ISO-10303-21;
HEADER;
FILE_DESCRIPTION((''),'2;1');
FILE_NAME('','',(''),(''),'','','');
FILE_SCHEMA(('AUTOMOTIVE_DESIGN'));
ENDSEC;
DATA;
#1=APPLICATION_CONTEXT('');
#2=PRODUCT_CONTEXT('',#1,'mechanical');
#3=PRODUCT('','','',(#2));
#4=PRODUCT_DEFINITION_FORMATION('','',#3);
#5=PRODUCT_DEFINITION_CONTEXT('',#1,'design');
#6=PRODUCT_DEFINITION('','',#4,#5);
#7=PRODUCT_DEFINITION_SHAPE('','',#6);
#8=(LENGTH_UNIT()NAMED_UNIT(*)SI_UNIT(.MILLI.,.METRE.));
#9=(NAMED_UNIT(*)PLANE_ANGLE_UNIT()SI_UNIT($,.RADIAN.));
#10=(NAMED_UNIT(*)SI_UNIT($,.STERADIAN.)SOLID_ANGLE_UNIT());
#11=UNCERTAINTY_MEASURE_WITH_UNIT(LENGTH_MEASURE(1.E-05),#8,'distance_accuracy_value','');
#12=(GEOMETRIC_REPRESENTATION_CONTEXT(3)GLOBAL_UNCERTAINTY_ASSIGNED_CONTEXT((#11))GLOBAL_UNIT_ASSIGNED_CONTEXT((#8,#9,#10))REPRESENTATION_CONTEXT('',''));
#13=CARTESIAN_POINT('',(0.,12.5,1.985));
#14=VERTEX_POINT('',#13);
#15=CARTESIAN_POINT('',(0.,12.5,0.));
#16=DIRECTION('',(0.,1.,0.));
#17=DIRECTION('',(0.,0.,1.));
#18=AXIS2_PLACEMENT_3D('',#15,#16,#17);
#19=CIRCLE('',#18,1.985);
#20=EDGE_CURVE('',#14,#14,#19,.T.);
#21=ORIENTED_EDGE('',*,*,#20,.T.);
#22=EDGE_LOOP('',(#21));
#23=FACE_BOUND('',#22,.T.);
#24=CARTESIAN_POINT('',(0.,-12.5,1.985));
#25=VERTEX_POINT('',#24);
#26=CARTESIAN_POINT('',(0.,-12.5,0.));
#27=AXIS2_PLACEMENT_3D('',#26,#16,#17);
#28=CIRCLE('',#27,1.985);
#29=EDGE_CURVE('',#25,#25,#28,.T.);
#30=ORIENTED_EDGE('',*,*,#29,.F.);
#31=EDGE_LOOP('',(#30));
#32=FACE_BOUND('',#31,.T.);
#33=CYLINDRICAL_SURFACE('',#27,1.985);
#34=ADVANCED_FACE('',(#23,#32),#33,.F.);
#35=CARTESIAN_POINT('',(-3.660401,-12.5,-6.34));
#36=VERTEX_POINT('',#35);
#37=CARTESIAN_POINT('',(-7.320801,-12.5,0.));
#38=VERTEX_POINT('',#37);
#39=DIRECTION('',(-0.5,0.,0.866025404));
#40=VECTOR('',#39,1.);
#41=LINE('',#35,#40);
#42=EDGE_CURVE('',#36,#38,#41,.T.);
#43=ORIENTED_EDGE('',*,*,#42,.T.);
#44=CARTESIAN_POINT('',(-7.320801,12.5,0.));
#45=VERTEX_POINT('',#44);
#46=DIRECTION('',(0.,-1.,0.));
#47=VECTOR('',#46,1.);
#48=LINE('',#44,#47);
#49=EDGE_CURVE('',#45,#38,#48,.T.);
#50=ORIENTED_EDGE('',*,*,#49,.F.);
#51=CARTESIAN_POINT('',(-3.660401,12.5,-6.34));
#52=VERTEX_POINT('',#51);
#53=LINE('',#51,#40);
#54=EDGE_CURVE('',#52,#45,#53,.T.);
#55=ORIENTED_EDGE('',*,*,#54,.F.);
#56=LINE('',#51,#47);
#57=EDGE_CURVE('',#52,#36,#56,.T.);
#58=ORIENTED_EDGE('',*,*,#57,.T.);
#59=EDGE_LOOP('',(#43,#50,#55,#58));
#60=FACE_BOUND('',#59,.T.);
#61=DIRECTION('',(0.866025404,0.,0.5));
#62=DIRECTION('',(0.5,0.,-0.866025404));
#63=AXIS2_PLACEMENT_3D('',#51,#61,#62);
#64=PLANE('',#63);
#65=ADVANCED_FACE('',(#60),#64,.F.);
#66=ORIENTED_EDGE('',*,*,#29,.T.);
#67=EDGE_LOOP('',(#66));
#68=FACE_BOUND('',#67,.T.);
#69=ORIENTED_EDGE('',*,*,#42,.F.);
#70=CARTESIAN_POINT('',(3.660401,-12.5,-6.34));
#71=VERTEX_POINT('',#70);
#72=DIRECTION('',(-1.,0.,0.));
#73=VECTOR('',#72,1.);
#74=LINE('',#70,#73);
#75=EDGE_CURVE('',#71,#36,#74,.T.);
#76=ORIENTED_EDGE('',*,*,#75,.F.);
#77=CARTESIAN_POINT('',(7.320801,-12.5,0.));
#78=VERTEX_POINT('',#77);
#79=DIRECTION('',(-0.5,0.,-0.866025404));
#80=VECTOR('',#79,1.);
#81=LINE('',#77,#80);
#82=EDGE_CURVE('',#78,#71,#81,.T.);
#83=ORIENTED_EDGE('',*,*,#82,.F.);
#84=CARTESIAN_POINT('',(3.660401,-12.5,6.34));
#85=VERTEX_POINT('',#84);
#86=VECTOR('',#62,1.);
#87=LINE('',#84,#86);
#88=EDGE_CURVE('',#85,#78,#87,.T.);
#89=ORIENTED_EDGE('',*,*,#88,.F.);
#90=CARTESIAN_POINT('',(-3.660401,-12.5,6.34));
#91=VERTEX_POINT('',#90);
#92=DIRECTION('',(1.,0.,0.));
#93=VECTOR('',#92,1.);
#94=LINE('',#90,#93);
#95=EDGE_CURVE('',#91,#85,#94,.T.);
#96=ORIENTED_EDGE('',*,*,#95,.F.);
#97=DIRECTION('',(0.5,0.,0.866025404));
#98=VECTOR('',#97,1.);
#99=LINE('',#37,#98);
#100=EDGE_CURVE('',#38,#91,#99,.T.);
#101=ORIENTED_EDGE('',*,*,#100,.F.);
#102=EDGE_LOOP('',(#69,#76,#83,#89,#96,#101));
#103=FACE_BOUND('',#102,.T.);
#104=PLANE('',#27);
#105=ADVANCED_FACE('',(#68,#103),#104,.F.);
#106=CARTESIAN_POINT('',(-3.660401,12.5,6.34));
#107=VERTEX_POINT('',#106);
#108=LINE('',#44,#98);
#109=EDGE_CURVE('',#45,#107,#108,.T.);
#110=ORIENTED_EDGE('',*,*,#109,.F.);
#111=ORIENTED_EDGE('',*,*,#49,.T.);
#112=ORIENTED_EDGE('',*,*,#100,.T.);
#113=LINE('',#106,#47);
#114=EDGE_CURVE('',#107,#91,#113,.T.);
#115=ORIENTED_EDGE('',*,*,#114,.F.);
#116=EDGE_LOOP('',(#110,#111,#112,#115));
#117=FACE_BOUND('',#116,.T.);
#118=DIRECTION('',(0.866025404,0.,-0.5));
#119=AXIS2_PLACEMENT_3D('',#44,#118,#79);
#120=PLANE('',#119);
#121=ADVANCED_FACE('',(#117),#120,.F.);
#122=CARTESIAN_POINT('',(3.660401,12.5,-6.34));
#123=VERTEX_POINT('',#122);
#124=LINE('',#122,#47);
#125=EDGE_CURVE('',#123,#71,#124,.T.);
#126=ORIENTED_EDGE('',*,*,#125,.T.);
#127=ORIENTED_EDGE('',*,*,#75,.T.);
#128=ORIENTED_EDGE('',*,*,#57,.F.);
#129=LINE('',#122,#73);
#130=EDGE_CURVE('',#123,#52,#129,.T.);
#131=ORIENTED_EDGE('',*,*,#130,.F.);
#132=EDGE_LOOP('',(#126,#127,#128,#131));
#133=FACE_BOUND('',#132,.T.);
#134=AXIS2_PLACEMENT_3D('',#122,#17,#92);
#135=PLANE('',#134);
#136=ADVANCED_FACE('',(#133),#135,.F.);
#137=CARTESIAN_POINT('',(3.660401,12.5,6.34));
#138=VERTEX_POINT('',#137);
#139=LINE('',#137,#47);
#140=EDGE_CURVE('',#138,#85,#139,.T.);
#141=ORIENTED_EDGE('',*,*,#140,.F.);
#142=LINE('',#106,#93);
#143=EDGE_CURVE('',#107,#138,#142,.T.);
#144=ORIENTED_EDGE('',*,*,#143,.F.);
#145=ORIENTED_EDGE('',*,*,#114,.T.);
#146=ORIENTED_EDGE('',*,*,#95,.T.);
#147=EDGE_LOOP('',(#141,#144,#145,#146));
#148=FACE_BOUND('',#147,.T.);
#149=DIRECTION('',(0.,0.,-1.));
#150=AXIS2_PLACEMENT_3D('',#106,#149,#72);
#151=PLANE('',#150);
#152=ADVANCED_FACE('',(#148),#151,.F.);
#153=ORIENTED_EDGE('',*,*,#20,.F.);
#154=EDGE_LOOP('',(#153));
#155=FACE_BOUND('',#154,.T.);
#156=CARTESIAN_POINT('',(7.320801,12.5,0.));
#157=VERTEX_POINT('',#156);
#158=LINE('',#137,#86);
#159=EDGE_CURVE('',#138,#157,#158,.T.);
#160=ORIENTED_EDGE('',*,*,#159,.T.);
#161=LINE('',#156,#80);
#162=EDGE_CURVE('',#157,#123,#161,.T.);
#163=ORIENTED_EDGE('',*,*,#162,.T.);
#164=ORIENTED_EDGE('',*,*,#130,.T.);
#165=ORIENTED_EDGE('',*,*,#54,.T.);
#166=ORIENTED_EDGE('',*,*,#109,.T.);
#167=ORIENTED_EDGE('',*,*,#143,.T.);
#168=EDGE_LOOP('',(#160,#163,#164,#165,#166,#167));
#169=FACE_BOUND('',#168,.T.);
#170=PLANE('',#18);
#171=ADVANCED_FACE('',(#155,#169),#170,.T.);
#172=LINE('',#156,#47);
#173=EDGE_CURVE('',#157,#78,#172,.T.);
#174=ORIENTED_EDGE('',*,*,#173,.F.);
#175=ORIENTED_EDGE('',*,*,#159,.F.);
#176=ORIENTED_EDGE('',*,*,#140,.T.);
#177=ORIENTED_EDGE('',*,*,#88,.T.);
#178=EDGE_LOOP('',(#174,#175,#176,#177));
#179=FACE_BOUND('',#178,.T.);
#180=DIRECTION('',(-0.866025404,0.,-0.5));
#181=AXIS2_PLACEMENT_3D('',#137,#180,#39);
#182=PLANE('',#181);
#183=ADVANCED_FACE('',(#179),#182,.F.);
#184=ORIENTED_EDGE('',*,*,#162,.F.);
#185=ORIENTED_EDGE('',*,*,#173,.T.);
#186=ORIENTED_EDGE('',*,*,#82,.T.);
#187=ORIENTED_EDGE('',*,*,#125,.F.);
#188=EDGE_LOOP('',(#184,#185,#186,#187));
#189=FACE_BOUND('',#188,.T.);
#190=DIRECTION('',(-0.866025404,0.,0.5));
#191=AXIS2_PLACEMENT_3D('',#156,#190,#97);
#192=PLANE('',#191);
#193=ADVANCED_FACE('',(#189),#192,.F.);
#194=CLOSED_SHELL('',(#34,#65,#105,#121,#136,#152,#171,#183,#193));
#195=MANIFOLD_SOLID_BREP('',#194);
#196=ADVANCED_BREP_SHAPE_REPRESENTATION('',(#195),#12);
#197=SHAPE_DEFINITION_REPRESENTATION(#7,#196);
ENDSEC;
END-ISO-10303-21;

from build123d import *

# Parameters (mm, degrees)
BOSS_EXTRUDE1_DEPTH     = 12.5
CUT_EXTRUDE1_DEPTH      = 16.812644729
CUT_EXTRUDE1_DEPTH_BACK = 16.812644729
SKETCH3_R               = 1.985


with BuildPart() as part:
    # Sketch2 → Boss-Extrude1 (new, symmetric)
    with BuildSketch(Plane(origin=(0, 0, 0), x_dir=(1, 0, 0), z_dir=(0, 1, 0))):
        Polygon((7.320801413, 0), (3.660400707, 6.34), (-3.660400707, 6.34), (-7.320801413, 0), (-3.660400707, -6.34), (3.660400707, -6.34), align=None)
    extrude(amount=BOSS_EXTRUDE1_DEPTH, both=True)

    # Sketch3 → Cut-Extrude1 (cut, two sides: drawn at the far end of the back side and taken through both)
    with BuildSketch(Plane(origin=(0, 0, 0), x_dir=(1, 0, 0), z_dir=(0, 1, 0)).offset(-CUT_EXTRUDE1_DEPTH_BACK)):
        with Locations(Location((0, 0, 0), (0, 0, 270))):
            Circle(SKETCH3_R)
    extrude(amount=CUT_EXTRUDE1_DEPTH + CUT_EXTRUDE1_DEPTH_BACK, mode=Mode.SUBTRACT)


solid = part.part
